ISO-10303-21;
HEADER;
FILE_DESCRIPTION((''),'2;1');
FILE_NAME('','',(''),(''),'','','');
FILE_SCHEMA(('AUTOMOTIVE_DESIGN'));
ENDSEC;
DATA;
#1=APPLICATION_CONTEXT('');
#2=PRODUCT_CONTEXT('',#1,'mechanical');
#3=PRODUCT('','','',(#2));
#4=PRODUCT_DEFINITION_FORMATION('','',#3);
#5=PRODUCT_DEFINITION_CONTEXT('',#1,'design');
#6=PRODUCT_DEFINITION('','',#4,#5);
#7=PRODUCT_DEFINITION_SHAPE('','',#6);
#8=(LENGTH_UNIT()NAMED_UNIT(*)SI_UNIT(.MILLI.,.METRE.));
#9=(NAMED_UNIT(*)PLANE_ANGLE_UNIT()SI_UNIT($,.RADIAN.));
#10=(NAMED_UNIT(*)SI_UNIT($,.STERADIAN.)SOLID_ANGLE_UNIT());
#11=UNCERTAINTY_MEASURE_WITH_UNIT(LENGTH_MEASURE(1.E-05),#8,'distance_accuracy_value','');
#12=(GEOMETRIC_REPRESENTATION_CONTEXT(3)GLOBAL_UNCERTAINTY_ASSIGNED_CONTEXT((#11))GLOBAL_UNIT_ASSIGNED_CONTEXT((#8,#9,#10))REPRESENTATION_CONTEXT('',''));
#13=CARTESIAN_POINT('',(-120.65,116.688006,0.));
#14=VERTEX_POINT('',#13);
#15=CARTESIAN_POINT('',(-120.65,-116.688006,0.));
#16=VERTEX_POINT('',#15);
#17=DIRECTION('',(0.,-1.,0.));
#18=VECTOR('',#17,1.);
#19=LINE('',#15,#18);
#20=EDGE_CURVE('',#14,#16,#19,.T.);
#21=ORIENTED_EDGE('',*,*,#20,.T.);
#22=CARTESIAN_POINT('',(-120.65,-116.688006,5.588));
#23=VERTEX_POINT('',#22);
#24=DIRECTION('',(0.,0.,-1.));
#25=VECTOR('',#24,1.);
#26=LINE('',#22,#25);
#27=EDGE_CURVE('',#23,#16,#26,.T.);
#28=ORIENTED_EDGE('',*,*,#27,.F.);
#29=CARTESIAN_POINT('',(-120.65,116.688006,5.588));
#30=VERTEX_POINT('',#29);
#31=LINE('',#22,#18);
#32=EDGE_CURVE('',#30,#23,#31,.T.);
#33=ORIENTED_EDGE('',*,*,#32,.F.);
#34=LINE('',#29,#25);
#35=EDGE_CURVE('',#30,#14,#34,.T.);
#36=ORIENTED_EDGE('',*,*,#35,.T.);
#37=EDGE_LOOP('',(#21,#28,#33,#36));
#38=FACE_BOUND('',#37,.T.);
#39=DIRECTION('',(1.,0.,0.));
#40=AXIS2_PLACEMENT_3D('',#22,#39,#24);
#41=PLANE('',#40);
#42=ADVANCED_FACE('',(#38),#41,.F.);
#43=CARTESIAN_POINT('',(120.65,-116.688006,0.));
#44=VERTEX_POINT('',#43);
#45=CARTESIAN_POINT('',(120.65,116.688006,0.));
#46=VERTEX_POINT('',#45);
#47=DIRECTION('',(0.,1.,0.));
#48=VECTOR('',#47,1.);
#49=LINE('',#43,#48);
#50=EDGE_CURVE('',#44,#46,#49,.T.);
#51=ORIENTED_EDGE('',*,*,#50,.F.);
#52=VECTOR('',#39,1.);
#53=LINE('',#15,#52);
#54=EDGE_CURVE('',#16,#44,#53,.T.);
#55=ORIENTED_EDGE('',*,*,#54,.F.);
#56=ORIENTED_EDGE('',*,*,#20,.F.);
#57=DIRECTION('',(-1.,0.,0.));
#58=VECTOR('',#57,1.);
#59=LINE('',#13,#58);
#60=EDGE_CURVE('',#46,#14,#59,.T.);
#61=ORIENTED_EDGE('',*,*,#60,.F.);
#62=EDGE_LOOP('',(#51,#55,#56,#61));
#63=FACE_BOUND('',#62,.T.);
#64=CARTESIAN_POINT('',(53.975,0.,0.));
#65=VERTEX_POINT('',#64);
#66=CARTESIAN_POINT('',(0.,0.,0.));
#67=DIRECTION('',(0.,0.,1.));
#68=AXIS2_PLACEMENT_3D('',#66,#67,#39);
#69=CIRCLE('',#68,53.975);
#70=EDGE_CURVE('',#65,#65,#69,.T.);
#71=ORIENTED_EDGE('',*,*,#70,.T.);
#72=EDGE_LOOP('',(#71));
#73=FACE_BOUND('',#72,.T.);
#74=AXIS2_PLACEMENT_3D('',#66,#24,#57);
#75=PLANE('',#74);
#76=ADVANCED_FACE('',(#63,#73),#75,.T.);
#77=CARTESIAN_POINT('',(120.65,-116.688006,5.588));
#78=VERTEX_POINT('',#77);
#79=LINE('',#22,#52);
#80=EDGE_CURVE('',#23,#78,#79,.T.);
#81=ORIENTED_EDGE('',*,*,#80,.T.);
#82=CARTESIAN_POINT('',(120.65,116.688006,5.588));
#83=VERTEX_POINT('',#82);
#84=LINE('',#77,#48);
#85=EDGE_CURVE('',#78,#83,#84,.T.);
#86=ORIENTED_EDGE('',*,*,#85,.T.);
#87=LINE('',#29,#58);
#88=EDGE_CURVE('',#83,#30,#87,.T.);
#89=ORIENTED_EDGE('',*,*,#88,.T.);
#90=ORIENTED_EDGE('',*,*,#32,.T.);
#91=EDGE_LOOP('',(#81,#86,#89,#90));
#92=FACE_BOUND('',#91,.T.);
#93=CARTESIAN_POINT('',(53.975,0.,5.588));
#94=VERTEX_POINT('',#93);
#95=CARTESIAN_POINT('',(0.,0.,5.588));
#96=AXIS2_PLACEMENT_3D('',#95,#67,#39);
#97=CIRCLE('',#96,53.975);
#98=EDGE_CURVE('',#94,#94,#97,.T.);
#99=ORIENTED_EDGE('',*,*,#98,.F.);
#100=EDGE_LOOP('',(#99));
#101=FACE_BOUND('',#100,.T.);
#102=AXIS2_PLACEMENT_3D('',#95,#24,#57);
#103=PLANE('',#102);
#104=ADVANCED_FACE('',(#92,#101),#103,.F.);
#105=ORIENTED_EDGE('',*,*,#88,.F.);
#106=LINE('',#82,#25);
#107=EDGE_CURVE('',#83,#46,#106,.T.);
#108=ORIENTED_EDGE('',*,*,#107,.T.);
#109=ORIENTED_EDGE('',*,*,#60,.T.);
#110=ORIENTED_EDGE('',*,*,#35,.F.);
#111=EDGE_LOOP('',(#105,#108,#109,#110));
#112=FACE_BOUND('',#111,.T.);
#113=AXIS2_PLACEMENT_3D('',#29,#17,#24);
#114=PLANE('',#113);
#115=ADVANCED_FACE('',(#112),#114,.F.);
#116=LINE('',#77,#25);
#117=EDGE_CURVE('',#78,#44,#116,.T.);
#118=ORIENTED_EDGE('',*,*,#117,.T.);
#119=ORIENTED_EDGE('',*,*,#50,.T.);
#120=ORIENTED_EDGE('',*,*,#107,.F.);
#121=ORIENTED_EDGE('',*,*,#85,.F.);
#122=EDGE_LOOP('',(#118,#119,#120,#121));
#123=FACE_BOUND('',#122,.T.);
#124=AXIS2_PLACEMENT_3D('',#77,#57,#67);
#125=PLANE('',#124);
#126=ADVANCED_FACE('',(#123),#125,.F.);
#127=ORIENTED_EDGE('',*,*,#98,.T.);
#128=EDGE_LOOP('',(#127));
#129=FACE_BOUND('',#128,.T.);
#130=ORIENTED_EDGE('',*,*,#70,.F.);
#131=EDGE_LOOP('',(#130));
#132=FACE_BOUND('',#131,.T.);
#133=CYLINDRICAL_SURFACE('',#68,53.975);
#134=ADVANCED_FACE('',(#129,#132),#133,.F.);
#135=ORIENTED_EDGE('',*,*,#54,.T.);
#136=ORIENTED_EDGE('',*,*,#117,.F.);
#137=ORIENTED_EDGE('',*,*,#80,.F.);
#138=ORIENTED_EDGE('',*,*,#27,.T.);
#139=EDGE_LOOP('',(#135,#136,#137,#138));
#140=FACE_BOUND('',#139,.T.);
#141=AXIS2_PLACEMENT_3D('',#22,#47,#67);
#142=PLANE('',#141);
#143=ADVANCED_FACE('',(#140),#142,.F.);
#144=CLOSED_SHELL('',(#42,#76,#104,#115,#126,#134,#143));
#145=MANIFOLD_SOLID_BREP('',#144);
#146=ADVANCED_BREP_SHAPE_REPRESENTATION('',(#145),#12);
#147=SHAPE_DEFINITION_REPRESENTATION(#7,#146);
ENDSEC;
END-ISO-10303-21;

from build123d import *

# Parameters (mm, degrees)
SKETCH1_W           = 241.3
SKETCH1_H           = 233.3760128
BOSS_EXTRUDE1_DEPTH = 5.588
SKETCH2_R           = 53.975
CUT_EXTRUDE1_DEPTH  = 168.939688822


with BuildPart() as part:
    # Sketch1 → Boss-Extrude1 (new body)
    with BuildSketch(Plane.XY):
        Rectangle(SKETCH1_W, SKETCH1_H)
    extrude(amount=BOSS_EXTRUDE1_DEPTH)

    # Sketch2 → Cut-Extrude1 (cut, through all)
    with BuildSketch(Plane.XY.offset(5.588)):
        Circle(SKETCH2_R)
    extrude(amount=-CUT_EXTRUDE1_DEPTH, mode=Mode.SUBTRACT)


solid = part.part
